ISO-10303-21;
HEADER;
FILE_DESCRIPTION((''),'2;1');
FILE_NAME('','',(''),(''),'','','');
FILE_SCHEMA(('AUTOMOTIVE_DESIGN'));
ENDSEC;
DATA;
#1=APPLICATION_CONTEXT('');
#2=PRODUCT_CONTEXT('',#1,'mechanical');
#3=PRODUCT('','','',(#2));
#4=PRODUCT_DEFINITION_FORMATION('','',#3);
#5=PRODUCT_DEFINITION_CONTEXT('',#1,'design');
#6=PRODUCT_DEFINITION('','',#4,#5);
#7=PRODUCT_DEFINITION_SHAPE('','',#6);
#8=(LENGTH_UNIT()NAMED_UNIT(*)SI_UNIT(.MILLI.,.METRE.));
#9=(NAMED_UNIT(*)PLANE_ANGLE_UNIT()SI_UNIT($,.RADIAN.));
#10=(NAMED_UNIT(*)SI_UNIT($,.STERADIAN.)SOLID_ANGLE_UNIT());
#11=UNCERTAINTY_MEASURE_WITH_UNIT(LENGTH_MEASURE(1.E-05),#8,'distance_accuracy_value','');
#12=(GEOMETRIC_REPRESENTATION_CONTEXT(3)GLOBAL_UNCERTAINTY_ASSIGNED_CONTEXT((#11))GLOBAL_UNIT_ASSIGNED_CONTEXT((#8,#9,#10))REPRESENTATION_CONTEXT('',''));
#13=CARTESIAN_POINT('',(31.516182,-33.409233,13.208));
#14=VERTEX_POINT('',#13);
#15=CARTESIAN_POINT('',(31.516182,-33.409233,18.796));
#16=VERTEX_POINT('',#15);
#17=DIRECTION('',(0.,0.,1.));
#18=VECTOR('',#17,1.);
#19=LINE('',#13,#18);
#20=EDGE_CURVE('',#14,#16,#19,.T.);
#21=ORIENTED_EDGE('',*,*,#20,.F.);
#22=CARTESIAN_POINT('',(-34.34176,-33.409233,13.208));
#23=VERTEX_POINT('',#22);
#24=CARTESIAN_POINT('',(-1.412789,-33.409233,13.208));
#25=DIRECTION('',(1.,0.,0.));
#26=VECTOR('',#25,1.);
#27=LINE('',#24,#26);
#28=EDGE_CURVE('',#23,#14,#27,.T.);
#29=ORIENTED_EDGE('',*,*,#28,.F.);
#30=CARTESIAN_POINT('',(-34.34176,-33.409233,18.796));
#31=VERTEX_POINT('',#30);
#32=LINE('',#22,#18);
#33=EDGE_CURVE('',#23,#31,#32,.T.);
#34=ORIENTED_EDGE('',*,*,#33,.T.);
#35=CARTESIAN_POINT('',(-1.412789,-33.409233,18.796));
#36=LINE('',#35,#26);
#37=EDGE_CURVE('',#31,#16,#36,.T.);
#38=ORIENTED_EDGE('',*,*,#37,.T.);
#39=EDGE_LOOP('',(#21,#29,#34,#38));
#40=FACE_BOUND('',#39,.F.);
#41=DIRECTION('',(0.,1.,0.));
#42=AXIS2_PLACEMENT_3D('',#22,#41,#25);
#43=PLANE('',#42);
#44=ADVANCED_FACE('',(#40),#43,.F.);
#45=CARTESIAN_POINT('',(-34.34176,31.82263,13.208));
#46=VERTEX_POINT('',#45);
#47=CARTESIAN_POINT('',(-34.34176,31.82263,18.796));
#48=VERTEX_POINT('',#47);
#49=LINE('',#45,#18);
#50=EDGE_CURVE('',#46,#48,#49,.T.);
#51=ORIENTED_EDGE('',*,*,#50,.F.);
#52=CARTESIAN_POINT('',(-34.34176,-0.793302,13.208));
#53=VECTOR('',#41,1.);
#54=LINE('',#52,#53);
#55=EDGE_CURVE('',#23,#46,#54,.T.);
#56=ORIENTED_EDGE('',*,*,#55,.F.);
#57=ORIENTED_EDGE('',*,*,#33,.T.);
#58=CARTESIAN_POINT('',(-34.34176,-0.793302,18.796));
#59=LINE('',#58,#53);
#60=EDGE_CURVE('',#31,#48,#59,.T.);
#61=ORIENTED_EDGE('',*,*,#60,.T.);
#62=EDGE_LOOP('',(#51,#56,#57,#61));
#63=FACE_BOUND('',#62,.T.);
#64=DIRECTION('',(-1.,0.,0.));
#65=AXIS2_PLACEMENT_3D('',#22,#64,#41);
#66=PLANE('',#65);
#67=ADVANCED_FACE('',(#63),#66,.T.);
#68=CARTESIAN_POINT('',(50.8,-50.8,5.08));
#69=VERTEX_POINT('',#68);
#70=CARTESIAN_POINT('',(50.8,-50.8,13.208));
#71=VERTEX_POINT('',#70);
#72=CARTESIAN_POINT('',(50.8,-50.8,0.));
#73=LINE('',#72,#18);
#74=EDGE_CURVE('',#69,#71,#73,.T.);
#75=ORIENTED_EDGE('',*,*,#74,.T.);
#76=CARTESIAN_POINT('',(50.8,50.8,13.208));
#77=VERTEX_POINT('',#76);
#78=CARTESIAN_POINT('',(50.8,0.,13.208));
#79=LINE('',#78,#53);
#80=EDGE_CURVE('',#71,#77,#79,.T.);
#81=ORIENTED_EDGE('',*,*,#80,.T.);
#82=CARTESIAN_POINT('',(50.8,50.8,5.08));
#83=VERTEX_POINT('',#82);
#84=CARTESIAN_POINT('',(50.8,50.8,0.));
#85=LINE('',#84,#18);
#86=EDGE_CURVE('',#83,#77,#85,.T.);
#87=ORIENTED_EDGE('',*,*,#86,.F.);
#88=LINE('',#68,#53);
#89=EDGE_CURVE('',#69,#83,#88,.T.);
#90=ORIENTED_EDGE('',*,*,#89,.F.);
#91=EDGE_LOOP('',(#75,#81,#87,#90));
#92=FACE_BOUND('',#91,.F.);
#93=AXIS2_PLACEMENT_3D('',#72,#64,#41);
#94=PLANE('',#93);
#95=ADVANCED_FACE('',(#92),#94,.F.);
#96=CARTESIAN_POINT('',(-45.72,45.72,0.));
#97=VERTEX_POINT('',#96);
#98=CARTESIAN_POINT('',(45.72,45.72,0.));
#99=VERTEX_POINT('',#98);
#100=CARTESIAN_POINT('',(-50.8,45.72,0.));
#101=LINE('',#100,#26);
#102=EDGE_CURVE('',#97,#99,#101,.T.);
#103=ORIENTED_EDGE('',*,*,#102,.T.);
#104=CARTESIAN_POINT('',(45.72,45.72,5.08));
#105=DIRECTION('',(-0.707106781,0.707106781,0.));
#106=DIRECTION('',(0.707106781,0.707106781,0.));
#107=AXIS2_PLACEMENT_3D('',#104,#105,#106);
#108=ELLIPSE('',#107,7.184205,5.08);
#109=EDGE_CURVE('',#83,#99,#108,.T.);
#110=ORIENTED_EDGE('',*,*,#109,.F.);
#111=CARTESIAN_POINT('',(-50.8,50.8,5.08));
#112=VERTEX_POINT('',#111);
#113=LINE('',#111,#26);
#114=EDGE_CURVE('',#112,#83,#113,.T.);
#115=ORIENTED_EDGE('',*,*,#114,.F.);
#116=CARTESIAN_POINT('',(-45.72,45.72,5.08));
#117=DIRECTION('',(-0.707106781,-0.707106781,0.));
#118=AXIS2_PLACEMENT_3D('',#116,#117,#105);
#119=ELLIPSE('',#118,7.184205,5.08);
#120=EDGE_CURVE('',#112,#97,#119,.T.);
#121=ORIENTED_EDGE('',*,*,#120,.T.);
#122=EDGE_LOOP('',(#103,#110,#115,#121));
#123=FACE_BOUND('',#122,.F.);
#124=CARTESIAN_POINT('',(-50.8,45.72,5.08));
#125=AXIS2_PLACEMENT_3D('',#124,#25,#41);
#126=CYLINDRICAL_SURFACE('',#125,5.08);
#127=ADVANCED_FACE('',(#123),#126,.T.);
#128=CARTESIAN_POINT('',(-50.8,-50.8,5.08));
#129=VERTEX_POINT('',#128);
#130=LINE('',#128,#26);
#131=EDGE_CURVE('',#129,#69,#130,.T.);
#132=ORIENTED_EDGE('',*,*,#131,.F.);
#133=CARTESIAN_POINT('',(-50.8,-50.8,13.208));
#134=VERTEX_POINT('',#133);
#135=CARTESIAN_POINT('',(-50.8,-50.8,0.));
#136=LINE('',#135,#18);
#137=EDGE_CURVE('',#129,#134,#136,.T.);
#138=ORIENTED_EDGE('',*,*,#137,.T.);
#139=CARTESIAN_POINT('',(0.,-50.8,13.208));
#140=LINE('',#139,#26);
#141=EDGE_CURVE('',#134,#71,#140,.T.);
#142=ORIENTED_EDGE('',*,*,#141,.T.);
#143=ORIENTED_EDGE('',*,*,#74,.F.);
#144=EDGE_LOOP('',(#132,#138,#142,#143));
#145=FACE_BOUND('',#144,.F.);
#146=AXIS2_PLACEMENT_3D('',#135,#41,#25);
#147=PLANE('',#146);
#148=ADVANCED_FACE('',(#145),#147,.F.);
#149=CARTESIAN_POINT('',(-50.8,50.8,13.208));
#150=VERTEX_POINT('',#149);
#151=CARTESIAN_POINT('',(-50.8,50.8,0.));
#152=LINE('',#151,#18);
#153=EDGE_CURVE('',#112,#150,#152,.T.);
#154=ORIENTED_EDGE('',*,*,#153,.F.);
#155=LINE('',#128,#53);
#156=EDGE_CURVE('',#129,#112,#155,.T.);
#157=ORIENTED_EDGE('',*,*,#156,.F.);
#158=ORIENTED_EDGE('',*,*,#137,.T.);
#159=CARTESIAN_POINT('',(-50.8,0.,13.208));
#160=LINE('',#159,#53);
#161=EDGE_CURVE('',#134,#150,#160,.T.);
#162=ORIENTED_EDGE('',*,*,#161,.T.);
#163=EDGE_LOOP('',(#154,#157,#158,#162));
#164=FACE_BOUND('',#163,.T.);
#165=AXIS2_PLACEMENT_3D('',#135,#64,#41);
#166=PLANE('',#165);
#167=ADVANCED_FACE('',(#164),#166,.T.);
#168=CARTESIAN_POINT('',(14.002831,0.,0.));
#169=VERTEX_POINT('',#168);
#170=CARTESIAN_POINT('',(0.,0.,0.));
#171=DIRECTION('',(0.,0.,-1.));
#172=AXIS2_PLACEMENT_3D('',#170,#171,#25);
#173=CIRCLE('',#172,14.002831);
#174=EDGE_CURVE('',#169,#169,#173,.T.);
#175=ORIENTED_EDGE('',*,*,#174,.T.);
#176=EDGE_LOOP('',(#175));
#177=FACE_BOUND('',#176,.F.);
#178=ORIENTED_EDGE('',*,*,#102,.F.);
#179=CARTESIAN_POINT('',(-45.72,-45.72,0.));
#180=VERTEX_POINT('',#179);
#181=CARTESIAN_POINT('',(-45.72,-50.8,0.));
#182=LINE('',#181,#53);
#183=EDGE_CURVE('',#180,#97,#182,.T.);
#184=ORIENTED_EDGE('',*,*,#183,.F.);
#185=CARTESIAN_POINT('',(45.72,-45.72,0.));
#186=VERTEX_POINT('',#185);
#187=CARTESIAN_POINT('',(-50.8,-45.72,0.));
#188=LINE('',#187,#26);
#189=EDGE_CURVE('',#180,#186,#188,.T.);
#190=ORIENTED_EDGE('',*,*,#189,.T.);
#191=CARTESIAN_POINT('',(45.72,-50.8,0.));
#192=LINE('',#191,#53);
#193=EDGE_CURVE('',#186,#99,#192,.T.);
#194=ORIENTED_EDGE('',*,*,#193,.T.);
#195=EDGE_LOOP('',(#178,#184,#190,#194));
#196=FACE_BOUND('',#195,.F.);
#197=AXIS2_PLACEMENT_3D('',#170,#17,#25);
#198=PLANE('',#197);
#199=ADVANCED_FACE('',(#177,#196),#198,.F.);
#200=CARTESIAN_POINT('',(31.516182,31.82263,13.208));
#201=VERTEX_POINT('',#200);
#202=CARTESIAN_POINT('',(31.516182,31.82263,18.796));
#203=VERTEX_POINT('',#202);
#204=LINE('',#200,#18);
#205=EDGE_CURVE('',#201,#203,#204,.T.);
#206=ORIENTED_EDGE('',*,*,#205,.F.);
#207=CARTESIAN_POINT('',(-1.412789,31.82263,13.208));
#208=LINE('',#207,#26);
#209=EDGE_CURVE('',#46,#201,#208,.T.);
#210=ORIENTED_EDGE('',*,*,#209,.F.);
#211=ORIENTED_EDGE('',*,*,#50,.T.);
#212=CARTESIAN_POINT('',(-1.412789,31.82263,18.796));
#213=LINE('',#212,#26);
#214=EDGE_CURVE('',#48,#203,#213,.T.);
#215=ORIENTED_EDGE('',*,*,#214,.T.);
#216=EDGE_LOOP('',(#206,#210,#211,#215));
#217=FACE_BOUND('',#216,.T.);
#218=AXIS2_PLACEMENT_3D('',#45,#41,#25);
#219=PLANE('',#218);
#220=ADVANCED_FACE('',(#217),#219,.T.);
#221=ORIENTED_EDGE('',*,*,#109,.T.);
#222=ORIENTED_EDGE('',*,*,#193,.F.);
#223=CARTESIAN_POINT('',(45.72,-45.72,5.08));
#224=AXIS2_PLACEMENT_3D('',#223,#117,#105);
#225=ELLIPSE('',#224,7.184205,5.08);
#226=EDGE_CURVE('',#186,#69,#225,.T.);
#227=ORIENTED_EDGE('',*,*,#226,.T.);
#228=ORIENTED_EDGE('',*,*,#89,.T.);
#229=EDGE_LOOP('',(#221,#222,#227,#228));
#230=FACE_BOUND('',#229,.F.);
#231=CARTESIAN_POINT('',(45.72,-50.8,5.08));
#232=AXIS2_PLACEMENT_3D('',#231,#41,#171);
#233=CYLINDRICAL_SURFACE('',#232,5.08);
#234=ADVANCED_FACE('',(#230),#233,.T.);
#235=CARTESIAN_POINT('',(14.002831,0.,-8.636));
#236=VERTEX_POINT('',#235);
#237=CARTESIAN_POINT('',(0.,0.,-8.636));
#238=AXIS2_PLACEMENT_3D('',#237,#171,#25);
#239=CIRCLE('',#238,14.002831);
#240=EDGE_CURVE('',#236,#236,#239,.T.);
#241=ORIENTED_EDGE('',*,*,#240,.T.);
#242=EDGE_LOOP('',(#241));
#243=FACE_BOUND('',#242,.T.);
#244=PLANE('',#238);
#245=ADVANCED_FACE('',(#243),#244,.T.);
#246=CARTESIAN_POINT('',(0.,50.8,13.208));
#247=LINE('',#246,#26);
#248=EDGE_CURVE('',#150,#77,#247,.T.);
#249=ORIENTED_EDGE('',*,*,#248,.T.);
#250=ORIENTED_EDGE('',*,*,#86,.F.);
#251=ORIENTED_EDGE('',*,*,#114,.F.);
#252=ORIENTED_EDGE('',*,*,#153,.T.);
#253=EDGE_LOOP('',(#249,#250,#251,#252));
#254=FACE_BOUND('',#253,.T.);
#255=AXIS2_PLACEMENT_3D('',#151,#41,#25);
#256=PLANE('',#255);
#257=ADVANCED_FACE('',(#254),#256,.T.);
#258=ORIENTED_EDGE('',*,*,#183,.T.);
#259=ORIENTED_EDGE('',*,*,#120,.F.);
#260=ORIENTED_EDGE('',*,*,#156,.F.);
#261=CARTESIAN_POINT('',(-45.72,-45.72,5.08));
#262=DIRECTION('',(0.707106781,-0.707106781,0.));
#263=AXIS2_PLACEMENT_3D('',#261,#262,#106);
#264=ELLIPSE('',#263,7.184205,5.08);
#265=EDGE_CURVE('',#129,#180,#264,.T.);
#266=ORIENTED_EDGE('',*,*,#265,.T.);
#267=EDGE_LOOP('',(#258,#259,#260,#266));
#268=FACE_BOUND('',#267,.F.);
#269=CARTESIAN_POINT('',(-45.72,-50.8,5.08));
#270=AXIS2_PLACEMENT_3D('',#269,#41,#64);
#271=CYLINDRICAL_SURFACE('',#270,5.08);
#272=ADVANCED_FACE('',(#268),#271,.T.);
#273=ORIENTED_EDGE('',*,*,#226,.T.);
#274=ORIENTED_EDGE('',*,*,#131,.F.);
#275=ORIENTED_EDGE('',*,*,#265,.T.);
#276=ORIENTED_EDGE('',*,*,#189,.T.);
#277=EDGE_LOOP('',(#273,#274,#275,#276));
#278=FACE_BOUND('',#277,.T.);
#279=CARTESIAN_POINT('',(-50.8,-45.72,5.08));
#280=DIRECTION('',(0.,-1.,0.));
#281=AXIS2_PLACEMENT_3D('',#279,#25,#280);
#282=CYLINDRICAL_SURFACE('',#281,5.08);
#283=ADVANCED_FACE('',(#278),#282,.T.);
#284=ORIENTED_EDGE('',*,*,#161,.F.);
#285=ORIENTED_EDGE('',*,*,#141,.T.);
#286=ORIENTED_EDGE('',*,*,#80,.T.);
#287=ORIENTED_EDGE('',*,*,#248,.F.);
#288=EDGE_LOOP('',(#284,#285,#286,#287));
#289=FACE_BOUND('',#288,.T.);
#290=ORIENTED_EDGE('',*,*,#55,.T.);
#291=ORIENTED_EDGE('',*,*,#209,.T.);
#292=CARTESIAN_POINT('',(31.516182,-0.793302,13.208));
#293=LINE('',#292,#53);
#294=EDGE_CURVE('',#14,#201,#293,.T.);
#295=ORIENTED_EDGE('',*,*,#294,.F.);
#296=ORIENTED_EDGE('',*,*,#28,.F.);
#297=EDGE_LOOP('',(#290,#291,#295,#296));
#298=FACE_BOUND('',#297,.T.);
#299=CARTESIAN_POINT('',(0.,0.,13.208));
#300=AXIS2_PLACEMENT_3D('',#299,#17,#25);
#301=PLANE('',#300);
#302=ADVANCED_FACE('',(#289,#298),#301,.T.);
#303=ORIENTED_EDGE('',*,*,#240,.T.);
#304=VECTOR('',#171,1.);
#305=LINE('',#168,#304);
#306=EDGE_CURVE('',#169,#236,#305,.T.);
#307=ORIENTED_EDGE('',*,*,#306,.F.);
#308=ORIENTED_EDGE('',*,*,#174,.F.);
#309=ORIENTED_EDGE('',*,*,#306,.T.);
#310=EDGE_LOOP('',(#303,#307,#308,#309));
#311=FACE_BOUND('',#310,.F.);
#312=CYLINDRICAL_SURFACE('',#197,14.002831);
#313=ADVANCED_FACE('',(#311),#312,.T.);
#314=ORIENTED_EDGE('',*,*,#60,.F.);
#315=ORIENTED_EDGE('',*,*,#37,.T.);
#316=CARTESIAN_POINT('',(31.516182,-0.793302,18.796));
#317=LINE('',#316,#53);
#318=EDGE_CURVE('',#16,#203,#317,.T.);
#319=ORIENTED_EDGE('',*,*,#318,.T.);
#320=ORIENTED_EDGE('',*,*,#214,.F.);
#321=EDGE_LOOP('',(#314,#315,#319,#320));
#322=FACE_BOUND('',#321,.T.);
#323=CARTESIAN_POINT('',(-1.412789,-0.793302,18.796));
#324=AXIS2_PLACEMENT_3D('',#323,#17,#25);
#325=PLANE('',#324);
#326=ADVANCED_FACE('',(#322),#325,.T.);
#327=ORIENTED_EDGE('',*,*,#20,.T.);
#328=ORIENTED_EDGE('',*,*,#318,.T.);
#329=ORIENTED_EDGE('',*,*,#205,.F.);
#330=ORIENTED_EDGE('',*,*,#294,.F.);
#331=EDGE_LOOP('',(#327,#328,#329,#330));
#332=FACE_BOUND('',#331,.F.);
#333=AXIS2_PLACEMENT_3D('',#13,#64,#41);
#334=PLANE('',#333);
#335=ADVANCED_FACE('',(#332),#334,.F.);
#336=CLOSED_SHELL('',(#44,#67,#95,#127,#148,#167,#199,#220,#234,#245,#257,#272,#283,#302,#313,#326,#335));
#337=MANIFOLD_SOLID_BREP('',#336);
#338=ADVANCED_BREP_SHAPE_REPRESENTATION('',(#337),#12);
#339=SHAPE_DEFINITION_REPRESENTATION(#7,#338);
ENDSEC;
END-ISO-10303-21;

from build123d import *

# Parameters (mm, degrees)
F0_W     = 101.6
F0_H     = 101.6
F1_DEPTH = 13.208
F2_R     = 14.002831
F3_DEPTH = 8.636
F5_W     = 65.857943
F5_H     = 65.231863
F6_DEPTH = 5.588
F7_R     = 5.08


with BuildPart() as f1:
    # F0 (on Top) → F1 (new body)
    with BuildSketch(Plane.XY):
        Rectangle(F0_W, F0_H)
    extrude(amount=F1_DEPTH)

    # F2 (on face) → F3 (join)
    with BuildSketch(Plane(origin=(0, 0, 0), x_dir=(1, 0, 0), z_dir=(0, 0, -1))):
        Circle(F2_R)
    extrude(amount=F3_DEPTH)

    # F5 (on face) → F6 (join)
    with BuildSketch(Plane.XY.offset(13.208)):
        with Locations((-1.412789, -0.793302)):
            Rectangle(F5_W, F5_H)
    extrude(amount=F6_DEPTH)

    # F7
    f7_edges = [f1.edges().sort_by_distance(p)[0] for p in [
        (-50.8, 0, 0),
        (0, 50.8, 0),
        (50.8, 0, 0),
        (0, -50.8, 0),
    ]]
    fillet(f7_edges, radius=F7_R)


solid = f1.part
